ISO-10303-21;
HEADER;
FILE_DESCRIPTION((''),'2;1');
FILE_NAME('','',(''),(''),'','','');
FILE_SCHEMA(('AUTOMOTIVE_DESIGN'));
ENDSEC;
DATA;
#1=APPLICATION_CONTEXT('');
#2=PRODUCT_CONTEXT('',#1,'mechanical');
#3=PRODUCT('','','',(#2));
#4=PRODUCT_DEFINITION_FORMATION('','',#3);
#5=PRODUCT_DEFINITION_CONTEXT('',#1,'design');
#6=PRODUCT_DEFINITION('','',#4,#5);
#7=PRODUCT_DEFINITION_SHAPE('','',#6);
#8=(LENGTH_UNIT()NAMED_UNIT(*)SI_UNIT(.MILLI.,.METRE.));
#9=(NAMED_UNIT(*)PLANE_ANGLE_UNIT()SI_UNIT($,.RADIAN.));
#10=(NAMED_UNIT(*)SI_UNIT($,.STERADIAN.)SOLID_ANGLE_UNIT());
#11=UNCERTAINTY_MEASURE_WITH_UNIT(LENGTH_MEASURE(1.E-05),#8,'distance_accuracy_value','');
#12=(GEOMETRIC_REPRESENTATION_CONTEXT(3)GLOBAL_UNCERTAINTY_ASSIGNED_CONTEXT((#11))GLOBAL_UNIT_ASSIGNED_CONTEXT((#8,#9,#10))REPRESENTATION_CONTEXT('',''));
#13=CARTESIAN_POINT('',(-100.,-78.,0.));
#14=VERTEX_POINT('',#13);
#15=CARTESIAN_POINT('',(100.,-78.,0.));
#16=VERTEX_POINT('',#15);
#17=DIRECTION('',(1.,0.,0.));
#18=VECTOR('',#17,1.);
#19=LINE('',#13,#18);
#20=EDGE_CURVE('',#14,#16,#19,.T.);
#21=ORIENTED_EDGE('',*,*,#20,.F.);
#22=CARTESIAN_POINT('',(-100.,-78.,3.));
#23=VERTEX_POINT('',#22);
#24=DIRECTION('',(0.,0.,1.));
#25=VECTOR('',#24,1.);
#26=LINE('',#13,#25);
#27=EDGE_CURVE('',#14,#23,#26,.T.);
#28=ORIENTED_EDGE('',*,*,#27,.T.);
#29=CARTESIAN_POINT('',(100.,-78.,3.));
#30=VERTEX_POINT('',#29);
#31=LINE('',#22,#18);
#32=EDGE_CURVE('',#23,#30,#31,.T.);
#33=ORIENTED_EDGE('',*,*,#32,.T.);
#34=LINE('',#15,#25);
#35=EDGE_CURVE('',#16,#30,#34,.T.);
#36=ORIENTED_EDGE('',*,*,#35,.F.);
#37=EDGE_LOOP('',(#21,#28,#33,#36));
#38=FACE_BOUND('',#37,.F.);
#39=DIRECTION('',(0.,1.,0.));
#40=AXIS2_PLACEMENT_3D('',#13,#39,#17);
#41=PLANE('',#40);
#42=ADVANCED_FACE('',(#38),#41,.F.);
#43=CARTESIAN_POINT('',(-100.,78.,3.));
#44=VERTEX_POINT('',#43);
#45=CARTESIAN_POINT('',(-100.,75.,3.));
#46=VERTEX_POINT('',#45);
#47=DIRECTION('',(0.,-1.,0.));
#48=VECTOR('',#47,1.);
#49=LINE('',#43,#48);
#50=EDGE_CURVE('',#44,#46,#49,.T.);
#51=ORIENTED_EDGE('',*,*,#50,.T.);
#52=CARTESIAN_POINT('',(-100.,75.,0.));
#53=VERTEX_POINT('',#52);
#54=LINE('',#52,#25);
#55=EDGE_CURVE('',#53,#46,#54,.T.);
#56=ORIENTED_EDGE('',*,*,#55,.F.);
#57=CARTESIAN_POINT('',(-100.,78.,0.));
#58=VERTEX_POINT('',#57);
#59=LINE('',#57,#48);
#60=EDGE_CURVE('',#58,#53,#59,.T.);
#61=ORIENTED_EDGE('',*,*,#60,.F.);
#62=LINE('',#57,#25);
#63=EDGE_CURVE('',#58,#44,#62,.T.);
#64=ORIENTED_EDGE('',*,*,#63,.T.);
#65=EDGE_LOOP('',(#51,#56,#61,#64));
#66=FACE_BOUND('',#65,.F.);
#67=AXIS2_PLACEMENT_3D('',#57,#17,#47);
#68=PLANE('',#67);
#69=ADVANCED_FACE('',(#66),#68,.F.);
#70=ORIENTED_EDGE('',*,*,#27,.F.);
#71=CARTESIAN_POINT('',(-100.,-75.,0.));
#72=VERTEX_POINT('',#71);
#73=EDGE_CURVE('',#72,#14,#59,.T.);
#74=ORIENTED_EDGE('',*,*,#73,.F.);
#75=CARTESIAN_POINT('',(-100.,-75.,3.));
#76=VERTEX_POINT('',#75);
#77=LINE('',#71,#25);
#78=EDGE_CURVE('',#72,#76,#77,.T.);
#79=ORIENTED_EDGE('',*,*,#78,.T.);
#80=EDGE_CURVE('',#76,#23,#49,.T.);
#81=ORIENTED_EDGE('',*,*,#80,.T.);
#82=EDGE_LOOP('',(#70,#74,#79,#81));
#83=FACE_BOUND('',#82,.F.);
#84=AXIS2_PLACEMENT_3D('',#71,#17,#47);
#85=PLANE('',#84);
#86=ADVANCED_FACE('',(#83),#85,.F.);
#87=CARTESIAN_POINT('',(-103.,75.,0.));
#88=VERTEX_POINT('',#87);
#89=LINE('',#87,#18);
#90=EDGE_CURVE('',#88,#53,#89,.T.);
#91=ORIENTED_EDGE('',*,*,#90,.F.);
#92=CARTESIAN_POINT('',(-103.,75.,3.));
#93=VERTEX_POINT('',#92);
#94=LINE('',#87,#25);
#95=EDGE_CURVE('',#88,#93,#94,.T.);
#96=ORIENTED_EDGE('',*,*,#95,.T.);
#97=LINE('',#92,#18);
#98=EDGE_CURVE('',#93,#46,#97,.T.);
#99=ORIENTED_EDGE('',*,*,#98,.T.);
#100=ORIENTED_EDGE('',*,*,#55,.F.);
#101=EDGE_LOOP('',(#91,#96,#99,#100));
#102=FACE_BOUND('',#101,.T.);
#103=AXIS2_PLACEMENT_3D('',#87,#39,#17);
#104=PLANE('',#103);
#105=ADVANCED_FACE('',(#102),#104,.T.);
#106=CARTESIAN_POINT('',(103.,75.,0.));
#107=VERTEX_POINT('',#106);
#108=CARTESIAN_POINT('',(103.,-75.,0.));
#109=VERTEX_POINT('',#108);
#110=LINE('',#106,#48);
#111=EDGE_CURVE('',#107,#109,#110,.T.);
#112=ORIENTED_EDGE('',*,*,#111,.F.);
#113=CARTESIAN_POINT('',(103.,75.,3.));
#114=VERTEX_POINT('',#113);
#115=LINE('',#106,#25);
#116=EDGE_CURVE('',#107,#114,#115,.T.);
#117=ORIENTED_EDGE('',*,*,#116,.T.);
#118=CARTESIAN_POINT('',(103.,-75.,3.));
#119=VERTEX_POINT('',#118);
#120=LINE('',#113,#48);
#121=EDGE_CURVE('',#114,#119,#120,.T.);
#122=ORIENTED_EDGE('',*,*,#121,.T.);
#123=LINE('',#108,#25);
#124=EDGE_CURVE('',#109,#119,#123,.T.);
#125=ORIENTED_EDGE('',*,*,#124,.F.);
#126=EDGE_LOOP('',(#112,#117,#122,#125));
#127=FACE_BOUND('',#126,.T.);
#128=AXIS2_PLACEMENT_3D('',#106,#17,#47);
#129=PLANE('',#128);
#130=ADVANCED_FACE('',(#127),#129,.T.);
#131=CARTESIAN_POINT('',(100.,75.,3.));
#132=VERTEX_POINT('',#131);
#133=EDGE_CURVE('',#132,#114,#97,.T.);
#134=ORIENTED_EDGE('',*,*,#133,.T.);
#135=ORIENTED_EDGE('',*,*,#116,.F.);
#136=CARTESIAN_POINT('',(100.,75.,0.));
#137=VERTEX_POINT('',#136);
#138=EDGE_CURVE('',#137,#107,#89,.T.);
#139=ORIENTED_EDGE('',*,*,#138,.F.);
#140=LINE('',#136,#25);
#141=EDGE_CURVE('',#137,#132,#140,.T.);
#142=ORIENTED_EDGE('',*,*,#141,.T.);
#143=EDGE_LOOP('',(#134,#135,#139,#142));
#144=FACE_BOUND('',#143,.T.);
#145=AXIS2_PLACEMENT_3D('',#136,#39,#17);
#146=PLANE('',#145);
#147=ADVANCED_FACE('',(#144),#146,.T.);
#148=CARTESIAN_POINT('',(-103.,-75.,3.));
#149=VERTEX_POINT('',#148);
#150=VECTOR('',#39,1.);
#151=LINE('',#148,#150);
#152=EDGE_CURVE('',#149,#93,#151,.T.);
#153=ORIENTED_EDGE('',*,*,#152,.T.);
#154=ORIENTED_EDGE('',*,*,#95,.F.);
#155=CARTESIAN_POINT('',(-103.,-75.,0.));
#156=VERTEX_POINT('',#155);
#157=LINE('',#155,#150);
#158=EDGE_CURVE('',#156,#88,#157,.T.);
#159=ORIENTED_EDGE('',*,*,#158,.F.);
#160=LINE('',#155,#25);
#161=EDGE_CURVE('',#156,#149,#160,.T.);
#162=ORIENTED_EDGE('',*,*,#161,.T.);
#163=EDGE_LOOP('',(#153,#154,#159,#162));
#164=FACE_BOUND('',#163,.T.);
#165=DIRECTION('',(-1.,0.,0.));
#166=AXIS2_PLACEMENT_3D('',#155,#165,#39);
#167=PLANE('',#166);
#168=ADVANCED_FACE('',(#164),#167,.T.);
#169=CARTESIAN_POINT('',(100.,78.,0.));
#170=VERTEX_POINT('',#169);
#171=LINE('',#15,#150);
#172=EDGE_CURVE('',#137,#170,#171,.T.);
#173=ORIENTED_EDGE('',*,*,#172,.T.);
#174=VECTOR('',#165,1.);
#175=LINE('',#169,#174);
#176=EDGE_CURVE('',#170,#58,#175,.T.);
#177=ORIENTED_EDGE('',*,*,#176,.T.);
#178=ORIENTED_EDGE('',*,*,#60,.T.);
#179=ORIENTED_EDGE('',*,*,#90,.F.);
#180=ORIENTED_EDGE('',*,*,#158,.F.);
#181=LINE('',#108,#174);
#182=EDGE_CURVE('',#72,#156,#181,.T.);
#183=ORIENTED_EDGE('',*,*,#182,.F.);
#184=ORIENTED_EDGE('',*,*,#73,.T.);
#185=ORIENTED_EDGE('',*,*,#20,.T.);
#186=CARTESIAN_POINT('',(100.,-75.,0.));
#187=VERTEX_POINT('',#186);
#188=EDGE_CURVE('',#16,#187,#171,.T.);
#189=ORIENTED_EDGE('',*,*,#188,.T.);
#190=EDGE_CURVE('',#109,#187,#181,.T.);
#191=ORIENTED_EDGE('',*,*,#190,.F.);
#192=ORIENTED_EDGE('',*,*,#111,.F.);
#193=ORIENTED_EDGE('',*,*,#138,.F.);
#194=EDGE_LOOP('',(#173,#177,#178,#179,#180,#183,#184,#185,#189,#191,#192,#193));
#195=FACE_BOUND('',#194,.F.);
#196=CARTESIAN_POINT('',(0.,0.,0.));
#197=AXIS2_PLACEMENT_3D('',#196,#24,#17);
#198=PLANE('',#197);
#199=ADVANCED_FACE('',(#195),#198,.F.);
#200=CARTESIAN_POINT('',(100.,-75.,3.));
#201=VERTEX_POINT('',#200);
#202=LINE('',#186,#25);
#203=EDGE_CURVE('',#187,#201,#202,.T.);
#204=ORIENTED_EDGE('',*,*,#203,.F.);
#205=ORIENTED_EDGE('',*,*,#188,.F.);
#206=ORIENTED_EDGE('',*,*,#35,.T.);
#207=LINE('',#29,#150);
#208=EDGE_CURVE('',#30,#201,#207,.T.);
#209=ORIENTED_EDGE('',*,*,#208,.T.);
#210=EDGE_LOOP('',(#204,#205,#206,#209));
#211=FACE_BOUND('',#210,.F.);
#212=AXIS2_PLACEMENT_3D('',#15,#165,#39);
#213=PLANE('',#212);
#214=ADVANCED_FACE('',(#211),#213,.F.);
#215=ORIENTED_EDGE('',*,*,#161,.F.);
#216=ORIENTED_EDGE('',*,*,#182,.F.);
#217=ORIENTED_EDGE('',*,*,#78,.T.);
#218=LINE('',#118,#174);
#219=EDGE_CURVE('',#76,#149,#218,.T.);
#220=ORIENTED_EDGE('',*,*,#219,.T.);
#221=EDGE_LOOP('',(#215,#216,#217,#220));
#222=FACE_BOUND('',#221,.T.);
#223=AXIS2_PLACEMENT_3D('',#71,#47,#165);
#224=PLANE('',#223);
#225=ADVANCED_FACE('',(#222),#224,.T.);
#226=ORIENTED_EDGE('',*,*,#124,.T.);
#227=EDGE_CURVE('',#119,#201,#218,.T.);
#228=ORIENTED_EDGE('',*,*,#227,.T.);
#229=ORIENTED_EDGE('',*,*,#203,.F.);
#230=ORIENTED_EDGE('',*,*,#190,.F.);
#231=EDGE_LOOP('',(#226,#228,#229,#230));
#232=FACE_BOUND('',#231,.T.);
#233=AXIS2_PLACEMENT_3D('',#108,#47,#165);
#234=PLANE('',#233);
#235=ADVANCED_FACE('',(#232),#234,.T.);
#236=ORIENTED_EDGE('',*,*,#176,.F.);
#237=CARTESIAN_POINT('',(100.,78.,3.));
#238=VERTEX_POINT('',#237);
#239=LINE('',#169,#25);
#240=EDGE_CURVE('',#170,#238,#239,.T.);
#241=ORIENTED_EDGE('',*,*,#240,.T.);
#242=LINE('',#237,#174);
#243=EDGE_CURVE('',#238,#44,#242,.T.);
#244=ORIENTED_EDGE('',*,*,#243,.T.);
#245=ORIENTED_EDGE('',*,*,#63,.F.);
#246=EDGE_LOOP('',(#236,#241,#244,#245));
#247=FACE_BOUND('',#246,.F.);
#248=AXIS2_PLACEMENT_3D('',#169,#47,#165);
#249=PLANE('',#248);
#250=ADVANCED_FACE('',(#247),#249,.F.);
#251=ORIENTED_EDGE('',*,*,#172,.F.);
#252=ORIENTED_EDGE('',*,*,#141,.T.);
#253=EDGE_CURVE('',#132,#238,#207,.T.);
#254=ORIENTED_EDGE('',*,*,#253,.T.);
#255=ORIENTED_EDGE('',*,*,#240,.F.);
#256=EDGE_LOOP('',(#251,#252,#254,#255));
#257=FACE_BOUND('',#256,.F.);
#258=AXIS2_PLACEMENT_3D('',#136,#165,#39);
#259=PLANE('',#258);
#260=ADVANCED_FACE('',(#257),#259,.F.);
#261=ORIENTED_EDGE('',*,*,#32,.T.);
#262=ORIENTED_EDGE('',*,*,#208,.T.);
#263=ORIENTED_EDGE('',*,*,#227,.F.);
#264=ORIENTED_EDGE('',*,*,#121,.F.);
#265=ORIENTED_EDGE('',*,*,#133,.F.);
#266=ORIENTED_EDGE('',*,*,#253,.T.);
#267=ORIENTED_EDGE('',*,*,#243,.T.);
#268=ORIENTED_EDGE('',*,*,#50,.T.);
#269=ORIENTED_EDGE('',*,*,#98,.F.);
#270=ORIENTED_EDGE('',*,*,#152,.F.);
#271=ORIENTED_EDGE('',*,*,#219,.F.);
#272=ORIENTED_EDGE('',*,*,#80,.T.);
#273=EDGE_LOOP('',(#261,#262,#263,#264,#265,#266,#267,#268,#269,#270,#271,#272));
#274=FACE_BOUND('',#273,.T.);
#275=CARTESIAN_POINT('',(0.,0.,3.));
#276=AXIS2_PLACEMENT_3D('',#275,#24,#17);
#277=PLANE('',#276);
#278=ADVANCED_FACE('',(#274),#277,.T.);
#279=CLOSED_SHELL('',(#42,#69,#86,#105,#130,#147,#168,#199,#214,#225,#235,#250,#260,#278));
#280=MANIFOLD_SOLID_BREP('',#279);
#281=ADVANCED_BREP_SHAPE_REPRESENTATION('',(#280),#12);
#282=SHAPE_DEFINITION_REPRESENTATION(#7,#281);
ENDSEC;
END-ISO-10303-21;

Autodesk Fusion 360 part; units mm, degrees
sketch "Esquisse1" plane through (0, 0, 0) normal (0, 0, 1) x (1, 0, 0)
  line L0 (100, 78) -> (-100, 78)
  line L1 (-100, 78) -> (-100, -78)
  line L2 (-100, -78) -> (100, -78)
  line L3 (100, -78) -> (100, 78)
  line L4 (100, 78) -> (-100, -78) construction
  line L5 (-100, 78) -> (100, -78) construction
  line L6 (103, -75) -> (-103, -75)
  line L7 (-103, -75) -> (-103, 75)
  line L8 (-103, 75) -> (103, 75)
  line L9 (103, 75) -> (103, -75)
  line L10 (103, -75) -> (-103, 75) construction
  line L11 (-103, -75) -> (103, 75) construction
  dimension "d1" = 200
  dimension "d2" = 206
  dimension "d3" = 150
  dimension "d4" = 156
extrude "Extrusion1" add sketch "Esquisse1" along normal blind 3
equation "Transfo_notch_larg_Ref = 1.6 mm" comment "epaisseur des encoches du transfo"
equation "Trasnfo_notch_long_Ref = 4 mm" comment "Longueurs des encoches du transfo"
equation "Transfo_Dist_Larg_2_notchs_Ref = 11.9 mm" comment "Distance entre deux encoches (largeur)"
equation "Transfo_Dist_Long_2_nothcs_Ref = 39 mm - ( 2 * 1.6 ) * 1 mm" comment "Distance (longueur) entre deux encoches"
equation "Transfo_Hole_Diam_Ref = 3.7 mm" comment "Diamètre des trous du transfo"
equation "Transfo_Dist_2_Hole_Ref = 16.7 mm" comment "Distance entre les centres des trous du transfo"
equation "Transfo_Dist_Notch_Hole_Ref = 69.2 mm" comment "Distance (minimal) entre les encoches et les trous"
